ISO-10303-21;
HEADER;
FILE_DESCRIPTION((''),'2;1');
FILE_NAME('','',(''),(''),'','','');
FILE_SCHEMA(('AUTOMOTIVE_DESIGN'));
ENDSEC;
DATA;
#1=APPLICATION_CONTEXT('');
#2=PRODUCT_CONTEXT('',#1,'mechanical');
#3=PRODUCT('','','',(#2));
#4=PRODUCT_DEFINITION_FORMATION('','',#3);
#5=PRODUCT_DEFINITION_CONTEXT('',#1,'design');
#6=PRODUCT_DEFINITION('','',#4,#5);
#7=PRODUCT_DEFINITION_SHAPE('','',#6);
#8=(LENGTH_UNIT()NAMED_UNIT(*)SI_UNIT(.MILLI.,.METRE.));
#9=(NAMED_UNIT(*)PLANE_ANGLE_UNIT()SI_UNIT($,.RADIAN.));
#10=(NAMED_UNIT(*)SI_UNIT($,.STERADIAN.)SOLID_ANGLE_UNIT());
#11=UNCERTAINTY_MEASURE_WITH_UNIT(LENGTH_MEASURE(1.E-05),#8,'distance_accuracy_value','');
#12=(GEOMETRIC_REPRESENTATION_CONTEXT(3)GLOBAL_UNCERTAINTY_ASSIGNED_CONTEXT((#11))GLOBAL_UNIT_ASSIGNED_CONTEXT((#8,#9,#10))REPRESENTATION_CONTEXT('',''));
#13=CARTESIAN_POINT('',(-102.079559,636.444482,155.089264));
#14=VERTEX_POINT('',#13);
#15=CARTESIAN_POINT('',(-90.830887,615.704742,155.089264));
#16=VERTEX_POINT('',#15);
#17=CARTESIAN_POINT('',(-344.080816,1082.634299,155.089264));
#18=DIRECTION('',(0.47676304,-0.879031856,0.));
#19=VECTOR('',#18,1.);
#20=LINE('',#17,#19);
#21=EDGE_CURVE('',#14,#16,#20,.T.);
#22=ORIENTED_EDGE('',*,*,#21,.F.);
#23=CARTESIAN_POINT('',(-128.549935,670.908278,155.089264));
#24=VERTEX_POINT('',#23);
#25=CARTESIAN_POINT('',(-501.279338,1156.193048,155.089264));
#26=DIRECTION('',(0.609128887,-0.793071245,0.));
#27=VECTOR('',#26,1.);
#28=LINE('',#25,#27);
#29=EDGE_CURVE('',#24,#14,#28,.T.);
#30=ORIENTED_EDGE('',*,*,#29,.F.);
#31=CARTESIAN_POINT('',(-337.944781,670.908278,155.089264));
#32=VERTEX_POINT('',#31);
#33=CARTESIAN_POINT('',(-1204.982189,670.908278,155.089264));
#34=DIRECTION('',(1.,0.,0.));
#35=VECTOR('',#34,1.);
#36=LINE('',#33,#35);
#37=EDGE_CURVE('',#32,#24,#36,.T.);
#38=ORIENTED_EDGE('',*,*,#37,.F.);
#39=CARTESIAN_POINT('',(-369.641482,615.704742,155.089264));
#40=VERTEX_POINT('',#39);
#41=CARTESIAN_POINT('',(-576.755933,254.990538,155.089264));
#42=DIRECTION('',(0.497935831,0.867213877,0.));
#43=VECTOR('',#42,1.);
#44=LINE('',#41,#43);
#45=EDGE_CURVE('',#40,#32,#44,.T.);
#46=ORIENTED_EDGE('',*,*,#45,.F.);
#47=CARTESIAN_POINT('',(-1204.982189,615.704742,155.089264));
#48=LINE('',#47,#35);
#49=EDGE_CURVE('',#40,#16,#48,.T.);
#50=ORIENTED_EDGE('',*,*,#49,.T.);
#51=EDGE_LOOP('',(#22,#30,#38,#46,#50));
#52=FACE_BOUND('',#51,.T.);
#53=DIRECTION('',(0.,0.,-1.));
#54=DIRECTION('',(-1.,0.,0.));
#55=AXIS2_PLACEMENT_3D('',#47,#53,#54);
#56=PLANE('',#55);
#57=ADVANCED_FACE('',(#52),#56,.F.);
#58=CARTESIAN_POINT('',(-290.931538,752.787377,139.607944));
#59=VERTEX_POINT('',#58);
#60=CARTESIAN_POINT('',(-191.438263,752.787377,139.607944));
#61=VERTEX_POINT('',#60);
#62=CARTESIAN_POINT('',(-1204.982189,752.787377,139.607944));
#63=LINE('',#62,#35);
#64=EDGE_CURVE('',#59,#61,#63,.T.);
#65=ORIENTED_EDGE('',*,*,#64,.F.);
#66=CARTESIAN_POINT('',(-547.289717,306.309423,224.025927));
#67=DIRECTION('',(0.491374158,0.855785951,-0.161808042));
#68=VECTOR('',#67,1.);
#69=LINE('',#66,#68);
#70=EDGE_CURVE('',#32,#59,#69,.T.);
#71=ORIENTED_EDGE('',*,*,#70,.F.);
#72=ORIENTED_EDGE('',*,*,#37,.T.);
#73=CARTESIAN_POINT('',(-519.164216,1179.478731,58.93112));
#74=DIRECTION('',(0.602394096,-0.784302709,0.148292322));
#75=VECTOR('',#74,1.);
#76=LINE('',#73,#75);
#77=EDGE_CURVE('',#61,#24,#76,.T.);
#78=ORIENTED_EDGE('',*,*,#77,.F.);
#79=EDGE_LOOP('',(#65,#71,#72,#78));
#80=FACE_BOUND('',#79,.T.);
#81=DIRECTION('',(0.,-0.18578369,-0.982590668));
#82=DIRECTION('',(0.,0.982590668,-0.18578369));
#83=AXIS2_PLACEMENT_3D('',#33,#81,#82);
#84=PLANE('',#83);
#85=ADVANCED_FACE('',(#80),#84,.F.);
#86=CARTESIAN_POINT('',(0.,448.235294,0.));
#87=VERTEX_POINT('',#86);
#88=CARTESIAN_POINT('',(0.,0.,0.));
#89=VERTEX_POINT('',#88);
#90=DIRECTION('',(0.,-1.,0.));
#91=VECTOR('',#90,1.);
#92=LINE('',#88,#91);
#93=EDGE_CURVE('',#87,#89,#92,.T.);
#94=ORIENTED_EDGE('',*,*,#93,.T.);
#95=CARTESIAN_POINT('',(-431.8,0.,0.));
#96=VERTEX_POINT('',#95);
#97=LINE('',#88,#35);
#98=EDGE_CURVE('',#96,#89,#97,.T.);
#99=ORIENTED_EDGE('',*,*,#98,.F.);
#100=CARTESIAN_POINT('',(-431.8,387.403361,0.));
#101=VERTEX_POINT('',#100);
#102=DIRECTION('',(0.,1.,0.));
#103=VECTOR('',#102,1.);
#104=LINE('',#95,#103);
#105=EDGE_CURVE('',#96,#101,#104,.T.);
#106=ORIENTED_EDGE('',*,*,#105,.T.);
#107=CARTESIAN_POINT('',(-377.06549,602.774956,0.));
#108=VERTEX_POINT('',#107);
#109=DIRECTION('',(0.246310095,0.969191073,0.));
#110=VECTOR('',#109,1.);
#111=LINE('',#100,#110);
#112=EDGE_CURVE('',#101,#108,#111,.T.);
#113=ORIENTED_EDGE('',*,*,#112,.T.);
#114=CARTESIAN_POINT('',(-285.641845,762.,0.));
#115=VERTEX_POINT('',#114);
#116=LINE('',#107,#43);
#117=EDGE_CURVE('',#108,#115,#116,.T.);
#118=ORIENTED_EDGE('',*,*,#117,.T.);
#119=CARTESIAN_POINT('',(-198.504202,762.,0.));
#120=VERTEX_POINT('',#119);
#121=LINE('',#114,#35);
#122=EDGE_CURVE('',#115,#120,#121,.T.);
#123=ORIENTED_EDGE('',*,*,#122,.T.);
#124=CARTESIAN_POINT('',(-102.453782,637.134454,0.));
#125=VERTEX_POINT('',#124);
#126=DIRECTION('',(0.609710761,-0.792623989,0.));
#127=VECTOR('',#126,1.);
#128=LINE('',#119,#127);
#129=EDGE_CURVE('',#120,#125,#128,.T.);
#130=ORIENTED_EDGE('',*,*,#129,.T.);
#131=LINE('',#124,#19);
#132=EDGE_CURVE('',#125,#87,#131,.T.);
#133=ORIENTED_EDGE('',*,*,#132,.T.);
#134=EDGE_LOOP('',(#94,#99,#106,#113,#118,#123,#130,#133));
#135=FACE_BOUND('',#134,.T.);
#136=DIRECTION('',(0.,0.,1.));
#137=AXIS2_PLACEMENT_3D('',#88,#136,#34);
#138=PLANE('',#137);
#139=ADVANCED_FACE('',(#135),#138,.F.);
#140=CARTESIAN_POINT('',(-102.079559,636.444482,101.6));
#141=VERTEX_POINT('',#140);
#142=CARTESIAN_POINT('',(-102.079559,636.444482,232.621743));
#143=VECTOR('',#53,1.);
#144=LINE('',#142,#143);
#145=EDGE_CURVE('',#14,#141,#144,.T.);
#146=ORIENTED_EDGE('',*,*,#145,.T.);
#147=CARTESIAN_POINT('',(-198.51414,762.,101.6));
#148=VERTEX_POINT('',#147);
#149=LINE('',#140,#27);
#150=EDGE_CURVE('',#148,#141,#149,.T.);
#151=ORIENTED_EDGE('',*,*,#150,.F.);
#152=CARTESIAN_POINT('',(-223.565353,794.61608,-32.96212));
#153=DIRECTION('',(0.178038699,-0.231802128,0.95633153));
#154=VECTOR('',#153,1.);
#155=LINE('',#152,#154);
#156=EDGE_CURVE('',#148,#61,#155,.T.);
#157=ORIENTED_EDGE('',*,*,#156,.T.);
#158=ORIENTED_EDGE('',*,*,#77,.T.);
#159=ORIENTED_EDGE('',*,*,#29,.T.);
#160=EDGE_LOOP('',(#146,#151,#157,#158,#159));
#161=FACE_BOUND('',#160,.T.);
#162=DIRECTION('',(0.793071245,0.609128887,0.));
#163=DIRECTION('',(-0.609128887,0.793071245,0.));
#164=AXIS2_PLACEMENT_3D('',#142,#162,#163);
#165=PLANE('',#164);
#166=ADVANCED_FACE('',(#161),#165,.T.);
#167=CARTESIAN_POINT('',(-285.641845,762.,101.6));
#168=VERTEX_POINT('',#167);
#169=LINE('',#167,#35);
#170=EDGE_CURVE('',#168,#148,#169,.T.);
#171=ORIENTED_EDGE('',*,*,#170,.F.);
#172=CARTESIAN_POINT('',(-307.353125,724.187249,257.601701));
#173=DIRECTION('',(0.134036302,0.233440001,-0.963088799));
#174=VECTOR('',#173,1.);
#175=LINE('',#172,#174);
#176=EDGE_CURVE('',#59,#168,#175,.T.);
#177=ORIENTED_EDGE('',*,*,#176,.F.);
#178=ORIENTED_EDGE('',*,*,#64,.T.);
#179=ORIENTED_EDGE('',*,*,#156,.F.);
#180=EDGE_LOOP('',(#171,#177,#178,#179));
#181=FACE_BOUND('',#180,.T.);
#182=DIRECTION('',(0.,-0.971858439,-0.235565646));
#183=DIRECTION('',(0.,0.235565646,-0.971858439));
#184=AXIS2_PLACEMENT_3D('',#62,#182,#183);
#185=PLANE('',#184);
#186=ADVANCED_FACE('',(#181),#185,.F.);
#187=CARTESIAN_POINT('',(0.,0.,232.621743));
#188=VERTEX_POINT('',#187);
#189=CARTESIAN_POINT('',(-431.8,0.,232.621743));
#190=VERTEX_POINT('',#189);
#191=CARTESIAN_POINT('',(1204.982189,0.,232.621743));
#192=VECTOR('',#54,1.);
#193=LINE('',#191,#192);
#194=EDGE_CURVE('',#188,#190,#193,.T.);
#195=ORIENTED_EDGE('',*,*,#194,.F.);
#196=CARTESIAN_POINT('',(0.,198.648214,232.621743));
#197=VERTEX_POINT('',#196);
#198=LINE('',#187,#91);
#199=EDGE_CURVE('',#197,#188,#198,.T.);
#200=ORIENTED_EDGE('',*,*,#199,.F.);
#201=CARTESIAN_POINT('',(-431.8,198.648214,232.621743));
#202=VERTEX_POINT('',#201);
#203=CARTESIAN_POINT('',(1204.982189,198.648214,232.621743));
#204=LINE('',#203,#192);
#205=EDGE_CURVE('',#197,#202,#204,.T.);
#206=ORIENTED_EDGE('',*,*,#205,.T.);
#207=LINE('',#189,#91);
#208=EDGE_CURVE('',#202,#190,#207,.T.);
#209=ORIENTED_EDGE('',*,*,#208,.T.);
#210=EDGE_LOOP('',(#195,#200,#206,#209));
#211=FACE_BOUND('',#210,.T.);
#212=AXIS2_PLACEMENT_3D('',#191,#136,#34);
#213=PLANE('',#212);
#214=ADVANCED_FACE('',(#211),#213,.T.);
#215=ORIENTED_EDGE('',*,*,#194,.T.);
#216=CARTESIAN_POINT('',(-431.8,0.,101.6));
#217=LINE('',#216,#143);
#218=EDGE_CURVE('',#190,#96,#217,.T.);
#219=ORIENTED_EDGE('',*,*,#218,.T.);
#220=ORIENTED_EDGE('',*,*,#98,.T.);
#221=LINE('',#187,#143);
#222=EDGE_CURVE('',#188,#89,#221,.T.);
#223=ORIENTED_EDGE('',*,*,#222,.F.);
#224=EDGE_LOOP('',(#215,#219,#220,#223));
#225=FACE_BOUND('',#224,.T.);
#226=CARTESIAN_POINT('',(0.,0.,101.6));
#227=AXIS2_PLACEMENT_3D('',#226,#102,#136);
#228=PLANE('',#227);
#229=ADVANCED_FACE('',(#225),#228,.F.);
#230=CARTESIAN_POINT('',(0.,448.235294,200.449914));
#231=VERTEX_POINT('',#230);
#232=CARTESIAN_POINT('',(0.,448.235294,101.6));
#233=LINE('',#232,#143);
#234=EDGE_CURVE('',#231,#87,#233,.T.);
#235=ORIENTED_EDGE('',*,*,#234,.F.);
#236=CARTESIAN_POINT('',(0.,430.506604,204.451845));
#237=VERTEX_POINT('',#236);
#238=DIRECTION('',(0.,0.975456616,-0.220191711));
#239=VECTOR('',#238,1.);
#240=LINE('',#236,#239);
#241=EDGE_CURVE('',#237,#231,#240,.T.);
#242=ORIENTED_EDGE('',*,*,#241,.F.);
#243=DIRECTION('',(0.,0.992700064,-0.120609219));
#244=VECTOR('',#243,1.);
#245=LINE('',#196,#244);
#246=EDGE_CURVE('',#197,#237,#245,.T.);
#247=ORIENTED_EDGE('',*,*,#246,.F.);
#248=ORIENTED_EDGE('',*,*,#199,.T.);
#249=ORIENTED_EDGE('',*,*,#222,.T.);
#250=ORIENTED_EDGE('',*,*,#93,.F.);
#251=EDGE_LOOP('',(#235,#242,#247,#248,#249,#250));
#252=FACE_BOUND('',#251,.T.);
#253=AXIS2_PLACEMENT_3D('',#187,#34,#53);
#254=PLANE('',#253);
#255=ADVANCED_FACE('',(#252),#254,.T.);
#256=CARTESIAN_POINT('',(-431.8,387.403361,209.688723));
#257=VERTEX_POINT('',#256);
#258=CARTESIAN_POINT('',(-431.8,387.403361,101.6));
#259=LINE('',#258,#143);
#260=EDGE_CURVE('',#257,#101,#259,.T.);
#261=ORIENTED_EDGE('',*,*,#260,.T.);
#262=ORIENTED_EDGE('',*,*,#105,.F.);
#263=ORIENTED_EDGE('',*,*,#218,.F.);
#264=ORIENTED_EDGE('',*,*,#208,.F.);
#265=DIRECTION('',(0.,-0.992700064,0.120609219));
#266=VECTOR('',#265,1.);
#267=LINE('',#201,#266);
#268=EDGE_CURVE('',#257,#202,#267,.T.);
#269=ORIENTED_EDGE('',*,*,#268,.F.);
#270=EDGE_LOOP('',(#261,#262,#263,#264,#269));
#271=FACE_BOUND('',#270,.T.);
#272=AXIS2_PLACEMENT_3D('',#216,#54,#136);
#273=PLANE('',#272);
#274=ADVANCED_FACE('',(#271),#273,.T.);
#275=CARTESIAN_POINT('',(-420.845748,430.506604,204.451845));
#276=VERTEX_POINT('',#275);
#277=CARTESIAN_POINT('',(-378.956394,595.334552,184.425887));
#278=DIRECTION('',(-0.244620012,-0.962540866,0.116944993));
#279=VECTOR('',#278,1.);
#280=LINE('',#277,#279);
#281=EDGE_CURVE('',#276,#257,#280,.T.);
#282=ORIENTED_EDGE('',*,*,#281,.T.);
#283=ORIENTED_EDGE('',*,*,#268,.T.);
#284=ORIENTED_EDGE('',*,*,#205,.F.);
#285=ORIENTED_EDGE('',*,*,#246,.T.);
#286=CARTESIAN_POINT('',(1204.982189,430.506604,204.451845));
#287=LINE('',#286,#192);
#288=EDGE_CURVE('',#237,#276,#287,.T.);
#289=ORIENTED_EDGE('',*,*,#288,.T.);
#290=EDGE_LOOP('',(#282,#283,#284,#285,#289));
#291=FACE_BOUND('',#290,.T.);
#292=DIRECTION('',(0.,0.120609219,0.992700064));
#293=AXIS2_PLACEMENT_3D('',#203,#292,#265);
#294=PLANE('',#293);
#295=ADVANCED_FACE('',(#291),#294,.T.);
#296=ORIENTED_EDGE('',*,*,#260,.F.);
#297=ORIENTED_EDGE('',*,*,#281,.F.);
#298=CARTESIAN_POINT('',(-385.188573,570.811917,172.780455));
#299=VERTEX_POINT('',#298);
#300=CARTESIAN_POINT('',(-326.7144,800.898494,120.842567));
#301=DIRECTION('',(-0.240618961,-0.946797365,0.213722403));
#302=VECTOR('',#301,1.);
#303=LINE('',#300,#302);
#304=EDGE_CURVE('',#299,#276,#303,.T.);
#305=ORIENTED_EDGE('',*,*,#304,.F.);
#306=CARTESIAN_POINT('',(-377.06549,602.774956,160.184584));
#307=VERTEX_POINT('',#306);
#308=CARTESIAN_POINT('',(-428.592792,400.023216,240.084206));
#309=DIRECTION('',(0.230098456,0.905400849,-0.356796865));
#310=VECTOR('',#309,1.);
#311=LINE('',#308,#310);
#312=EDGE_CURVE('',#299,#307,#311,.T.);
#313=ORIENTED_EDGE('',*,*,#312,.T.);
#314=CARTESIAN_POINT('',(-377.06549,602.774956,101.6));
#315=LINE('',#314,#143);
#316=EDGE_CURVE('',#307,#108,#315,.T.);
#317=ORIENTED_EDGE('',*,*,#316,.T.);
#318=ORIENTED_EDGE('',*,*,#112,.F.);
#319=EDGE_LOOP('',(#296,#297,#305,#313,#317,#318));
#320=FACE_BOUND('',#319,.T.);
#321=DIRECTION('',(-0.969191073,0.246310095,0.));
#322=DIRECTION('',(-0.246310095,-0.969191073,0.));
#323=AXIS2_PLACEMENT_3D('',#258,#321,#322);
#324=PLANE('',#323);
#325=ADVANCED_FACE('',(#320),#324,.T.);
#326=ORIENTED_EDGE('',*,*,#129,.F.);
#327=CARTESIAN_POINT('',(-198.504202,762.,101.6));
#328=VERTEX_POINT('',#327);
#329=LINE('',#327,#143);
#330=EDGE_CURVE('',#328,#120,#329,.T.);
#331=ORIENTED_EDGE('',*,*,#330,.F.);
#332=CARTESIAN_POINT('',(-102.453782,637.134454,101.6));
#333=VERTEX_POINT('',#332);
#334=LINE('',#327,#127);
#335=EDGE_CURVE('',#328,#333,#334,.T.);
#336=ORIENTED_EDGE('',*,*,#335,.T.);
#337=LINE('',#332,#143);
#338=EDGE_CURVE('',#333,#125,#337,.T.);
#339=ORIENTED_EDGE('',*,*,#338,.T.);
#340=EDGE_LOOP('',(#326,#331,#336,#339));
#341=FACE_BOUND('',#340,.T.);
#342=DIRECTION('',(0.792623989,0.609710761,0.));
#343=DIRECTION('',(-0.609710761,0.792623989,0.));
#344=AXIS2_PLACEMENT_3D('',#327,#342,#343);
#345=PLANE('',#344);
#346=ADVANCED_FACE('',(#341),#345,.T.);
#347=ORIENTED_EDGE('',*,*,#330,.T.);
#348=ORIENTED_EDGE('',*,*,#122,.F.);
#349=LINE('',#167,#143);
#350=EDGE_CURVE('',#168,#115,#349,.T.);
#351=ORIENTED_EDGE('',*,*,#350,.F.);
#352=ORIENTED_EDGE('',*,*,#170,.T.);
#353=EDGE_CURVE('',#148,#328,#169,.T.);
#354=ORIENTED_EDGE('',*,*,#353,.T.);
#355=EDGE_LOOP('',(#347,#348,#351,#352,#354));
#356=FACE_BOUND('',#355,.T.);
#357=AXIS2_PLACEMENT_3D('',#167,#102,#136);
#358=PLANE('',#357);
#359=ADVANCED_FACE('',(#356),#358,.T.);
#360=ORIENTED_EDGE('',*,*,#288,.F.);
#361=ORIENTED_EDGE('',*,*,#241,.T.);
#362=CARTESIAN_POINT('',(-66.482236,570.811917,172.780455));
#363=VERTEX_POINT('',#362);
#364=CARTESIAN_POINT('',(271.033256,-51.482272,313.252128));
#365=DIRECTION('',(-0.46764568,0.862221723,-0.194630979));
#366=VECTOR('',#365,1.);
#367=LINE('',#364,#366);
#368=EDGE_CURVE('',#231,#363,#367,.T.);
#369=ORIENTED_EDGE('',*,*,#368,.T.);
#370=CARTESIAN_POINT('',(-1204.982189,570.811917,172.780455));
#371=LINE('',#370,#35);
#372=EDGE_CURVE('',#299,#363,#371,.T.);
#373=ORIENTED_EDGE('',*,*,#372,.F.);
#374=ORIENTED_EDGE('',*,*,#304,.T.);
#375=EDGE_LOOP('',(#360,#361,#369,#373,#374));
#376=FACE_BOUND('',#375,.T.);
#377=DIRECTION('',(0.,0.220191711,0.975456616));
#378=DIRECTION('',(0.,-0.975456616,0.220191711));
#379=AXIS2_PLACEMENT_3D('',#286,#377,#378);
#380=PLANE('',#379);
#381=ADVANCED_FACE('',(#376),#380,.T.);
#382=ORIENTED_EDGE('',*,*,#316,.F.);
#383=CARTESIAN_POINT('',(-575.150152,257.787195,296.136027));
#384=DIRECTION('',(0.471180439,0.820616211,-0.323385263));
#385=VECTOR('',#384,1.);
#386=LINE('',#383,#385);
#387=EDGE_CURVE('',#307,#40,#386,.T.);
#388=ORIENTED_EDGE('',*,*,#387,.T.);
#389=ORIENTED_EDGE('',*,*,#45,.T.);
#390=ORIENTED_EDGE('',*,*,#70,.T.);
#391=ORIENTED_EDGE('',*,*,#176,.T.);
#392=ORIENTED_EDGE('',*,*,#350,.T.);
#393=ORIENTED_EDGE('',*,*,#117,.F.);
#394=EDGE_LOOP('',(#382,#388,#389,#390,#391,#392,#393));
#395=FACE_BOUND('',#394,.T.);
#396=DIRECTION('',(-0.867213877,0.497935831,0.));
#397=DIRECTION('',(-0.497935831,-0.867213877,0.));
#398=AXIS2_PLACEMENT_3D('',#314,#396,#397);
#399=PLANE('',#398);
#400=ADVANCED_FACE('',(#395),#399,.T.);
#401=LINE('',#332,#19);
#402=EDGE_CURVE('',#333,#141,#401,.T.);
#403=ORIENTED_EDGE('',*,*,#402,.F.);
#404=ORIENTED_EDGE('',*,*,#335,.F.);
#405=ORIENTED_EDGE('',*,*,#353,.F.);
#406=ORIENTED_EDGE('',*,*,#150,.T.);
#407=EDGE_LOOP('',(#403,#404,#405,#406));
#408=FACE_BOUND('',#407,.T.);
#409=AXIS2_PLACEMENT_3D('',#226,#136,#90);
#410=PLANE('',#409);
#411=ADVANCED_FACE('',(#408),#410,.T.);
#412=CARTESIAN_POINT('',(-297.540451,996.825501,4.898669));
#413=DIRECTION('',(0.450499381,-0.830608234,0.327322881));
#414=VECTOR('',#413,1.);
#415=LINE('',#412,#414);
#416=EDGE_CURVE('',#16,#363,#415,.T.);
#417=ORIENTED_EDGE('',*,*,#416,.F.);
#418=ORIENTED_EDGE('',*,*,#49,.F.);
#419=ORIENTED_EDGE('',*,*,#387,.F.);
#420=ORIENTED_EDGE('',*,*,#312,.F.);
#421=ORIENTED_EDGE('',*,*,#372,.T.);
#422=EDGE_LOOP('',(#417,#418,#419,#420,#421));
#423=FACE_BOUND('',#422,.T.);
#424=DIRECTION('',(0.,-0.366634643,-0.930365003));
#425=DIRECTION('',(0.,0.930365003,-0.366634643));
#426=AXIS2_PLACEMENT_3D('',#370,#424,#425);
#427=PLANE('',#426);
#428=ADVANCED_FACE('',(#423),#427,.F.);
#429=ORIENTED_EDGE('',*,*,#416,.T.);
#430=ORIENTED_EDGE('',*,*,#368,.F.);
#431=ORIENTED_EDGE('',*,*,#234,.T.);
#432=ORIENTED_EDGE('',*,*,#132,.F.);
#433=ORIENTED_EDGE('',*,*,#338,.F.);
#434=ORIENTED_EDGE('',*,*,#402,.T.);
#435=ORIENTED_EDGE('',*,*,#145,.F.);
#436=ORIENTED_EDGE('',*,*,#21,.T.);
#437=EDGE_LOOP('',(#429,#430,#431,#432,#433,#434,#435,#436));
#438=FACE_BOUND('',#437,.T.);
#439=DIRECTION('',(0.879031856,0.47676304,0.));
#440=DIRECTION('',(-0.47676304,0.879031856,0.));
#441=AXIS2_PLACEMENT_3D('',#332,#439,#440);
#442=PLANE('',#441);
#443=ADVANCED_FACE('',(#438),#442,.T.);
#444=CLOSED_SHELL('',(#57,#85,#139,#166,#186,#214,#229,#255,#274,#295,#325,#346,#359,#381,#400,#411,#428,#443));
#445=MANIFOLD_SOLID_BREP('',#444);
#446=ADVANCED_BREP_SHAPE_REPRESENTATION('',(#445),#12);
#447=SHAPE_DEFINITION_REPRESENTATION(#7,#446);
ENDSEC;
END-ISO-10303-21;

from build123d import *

# Parameters (mm, degrees)
BOSS_EXTRUDE1_DEPTH = 101.6
BOSS_EXTRUDE2_DEPTH = 431.8
CUT_EXTRUDE1_DEPTH  = 132.021743181
CUT_EXTRUDE2_DEPTH  = 132.021743181
SKETCH5_W           = 672.515990181
SKETCH5_H           = 895.069856367
CUT_EXTRUDE3_DEPTH  = 233.621743181


with BuildPart() as part:
    # Sketch1 → Boss-Extrude1 (new body)
    with BuildSketch(Plane.XY):
        Polygon((0, 0), (431.8, 0), (431.8, 387.403361345), (377.065490396, 602.774956458), (285.641844577, 762), (198.504201681, 762), (102.453781513, 637.134453782), (0, 448.235294118), align=None)
    boss_extrude1 = extrude(amount=BOSS_EXTRUDE1_DEPTH)

    # Sketch2 → Boss-Extrude2 (add)
    with BuildSketch(Plane.ZY):
        Polygon((101.6, 0), (232.621743181, 0), (232.621743181, 198.64821401), (204.451845393, 430.506603568), (172.780455352, 570.81191653), (155.089264466, 615.704741573), (155.089264466, 670.908278379), (139.607943989, 752.787376516), (101.6, 762), align=None)
    boss_extrude2 = extrude(amount=-BOSS_EXTRUDE2_DEPTH)

    # Sketch3 → Cut-Extrude1 (cut, through all)
    with BuildSketch(Plane(origin=(0, 0, 101.6), x_dir=(-1, 0, 0), z_dir=(0, 0, -1))):
        Polygon((0, 448.235294118), (-102.079559314, 636.444481603), (-205.052343037, 770.512583763), (-205.052343037, 987.342816442), (227.879484492, 941.92173413), (179.71587047, 482.849418415), align=None)
    cut_extrude1 = extrude(amount=-CUT_EXTRUDE1_DEPTH, mode=Mode.SUBTRACT)

    # Sketch4 → Cut-Extrude2 (cut, through all)
    with BuildSketch(Plane(origin=(0, 0, 101.6), x_dir=(-1, 0, 0), z_dir=(0, 0, -1))):
        Polygon((-431.8, 387.403361345), (-377.065490396, 602.774956458), (-285.641844577, 762), (-386.647779508, 961.526140846), (-935.090979015, 961.526140846), (-884.913915701, 472.949119069), align=None)
    cut_extrude2 = extrude(amount=-CUT_EXTRUDE2_DEPTH, mode=Mode.SUBTRACT)

    # Mirror1: Boss-Extrude1, Boss-Extrude2, Cut-Extrude1, Cut-Extrude2 across plane
    add(boss_extrude1.mirror(Plane(origin=(0, 0, 0), x_dir=(0, 0, 1), z_dir=(1, 0, 0))))
    add(boss_extrude2.mirror(Plane(origin=(0, 0, 0), x_dir=(0, 0, 1), z_dir=(1, 0, 0))))
    add(cut_extrude1.mirror(Plane(origin=(0, 0, 0), x_dir=(0, 0, 1), z_dir=(1, 0, 0))), mode=Mode.SUBTRACT)
    add(cut_extrude2.mirror(Plane(origin=(0, 0, 0), x_dir=(0, 0, 1), z_dir=(1, 0, 0))), mode=Mode.SUBTRACT)

    # Sketch5 → Cut-Extrude3 (cut, through all)
    with BuildSketch(Plane.XY):
        with Locations((336.257995091, 447.534928184)):
            Rectangle(SKETCH5_W, SKETCH5_H)
    extrude(amount=CUT_EXTRUDE3_DEPTH, mode=Mode.SUBTRACT)


solid = part.part
